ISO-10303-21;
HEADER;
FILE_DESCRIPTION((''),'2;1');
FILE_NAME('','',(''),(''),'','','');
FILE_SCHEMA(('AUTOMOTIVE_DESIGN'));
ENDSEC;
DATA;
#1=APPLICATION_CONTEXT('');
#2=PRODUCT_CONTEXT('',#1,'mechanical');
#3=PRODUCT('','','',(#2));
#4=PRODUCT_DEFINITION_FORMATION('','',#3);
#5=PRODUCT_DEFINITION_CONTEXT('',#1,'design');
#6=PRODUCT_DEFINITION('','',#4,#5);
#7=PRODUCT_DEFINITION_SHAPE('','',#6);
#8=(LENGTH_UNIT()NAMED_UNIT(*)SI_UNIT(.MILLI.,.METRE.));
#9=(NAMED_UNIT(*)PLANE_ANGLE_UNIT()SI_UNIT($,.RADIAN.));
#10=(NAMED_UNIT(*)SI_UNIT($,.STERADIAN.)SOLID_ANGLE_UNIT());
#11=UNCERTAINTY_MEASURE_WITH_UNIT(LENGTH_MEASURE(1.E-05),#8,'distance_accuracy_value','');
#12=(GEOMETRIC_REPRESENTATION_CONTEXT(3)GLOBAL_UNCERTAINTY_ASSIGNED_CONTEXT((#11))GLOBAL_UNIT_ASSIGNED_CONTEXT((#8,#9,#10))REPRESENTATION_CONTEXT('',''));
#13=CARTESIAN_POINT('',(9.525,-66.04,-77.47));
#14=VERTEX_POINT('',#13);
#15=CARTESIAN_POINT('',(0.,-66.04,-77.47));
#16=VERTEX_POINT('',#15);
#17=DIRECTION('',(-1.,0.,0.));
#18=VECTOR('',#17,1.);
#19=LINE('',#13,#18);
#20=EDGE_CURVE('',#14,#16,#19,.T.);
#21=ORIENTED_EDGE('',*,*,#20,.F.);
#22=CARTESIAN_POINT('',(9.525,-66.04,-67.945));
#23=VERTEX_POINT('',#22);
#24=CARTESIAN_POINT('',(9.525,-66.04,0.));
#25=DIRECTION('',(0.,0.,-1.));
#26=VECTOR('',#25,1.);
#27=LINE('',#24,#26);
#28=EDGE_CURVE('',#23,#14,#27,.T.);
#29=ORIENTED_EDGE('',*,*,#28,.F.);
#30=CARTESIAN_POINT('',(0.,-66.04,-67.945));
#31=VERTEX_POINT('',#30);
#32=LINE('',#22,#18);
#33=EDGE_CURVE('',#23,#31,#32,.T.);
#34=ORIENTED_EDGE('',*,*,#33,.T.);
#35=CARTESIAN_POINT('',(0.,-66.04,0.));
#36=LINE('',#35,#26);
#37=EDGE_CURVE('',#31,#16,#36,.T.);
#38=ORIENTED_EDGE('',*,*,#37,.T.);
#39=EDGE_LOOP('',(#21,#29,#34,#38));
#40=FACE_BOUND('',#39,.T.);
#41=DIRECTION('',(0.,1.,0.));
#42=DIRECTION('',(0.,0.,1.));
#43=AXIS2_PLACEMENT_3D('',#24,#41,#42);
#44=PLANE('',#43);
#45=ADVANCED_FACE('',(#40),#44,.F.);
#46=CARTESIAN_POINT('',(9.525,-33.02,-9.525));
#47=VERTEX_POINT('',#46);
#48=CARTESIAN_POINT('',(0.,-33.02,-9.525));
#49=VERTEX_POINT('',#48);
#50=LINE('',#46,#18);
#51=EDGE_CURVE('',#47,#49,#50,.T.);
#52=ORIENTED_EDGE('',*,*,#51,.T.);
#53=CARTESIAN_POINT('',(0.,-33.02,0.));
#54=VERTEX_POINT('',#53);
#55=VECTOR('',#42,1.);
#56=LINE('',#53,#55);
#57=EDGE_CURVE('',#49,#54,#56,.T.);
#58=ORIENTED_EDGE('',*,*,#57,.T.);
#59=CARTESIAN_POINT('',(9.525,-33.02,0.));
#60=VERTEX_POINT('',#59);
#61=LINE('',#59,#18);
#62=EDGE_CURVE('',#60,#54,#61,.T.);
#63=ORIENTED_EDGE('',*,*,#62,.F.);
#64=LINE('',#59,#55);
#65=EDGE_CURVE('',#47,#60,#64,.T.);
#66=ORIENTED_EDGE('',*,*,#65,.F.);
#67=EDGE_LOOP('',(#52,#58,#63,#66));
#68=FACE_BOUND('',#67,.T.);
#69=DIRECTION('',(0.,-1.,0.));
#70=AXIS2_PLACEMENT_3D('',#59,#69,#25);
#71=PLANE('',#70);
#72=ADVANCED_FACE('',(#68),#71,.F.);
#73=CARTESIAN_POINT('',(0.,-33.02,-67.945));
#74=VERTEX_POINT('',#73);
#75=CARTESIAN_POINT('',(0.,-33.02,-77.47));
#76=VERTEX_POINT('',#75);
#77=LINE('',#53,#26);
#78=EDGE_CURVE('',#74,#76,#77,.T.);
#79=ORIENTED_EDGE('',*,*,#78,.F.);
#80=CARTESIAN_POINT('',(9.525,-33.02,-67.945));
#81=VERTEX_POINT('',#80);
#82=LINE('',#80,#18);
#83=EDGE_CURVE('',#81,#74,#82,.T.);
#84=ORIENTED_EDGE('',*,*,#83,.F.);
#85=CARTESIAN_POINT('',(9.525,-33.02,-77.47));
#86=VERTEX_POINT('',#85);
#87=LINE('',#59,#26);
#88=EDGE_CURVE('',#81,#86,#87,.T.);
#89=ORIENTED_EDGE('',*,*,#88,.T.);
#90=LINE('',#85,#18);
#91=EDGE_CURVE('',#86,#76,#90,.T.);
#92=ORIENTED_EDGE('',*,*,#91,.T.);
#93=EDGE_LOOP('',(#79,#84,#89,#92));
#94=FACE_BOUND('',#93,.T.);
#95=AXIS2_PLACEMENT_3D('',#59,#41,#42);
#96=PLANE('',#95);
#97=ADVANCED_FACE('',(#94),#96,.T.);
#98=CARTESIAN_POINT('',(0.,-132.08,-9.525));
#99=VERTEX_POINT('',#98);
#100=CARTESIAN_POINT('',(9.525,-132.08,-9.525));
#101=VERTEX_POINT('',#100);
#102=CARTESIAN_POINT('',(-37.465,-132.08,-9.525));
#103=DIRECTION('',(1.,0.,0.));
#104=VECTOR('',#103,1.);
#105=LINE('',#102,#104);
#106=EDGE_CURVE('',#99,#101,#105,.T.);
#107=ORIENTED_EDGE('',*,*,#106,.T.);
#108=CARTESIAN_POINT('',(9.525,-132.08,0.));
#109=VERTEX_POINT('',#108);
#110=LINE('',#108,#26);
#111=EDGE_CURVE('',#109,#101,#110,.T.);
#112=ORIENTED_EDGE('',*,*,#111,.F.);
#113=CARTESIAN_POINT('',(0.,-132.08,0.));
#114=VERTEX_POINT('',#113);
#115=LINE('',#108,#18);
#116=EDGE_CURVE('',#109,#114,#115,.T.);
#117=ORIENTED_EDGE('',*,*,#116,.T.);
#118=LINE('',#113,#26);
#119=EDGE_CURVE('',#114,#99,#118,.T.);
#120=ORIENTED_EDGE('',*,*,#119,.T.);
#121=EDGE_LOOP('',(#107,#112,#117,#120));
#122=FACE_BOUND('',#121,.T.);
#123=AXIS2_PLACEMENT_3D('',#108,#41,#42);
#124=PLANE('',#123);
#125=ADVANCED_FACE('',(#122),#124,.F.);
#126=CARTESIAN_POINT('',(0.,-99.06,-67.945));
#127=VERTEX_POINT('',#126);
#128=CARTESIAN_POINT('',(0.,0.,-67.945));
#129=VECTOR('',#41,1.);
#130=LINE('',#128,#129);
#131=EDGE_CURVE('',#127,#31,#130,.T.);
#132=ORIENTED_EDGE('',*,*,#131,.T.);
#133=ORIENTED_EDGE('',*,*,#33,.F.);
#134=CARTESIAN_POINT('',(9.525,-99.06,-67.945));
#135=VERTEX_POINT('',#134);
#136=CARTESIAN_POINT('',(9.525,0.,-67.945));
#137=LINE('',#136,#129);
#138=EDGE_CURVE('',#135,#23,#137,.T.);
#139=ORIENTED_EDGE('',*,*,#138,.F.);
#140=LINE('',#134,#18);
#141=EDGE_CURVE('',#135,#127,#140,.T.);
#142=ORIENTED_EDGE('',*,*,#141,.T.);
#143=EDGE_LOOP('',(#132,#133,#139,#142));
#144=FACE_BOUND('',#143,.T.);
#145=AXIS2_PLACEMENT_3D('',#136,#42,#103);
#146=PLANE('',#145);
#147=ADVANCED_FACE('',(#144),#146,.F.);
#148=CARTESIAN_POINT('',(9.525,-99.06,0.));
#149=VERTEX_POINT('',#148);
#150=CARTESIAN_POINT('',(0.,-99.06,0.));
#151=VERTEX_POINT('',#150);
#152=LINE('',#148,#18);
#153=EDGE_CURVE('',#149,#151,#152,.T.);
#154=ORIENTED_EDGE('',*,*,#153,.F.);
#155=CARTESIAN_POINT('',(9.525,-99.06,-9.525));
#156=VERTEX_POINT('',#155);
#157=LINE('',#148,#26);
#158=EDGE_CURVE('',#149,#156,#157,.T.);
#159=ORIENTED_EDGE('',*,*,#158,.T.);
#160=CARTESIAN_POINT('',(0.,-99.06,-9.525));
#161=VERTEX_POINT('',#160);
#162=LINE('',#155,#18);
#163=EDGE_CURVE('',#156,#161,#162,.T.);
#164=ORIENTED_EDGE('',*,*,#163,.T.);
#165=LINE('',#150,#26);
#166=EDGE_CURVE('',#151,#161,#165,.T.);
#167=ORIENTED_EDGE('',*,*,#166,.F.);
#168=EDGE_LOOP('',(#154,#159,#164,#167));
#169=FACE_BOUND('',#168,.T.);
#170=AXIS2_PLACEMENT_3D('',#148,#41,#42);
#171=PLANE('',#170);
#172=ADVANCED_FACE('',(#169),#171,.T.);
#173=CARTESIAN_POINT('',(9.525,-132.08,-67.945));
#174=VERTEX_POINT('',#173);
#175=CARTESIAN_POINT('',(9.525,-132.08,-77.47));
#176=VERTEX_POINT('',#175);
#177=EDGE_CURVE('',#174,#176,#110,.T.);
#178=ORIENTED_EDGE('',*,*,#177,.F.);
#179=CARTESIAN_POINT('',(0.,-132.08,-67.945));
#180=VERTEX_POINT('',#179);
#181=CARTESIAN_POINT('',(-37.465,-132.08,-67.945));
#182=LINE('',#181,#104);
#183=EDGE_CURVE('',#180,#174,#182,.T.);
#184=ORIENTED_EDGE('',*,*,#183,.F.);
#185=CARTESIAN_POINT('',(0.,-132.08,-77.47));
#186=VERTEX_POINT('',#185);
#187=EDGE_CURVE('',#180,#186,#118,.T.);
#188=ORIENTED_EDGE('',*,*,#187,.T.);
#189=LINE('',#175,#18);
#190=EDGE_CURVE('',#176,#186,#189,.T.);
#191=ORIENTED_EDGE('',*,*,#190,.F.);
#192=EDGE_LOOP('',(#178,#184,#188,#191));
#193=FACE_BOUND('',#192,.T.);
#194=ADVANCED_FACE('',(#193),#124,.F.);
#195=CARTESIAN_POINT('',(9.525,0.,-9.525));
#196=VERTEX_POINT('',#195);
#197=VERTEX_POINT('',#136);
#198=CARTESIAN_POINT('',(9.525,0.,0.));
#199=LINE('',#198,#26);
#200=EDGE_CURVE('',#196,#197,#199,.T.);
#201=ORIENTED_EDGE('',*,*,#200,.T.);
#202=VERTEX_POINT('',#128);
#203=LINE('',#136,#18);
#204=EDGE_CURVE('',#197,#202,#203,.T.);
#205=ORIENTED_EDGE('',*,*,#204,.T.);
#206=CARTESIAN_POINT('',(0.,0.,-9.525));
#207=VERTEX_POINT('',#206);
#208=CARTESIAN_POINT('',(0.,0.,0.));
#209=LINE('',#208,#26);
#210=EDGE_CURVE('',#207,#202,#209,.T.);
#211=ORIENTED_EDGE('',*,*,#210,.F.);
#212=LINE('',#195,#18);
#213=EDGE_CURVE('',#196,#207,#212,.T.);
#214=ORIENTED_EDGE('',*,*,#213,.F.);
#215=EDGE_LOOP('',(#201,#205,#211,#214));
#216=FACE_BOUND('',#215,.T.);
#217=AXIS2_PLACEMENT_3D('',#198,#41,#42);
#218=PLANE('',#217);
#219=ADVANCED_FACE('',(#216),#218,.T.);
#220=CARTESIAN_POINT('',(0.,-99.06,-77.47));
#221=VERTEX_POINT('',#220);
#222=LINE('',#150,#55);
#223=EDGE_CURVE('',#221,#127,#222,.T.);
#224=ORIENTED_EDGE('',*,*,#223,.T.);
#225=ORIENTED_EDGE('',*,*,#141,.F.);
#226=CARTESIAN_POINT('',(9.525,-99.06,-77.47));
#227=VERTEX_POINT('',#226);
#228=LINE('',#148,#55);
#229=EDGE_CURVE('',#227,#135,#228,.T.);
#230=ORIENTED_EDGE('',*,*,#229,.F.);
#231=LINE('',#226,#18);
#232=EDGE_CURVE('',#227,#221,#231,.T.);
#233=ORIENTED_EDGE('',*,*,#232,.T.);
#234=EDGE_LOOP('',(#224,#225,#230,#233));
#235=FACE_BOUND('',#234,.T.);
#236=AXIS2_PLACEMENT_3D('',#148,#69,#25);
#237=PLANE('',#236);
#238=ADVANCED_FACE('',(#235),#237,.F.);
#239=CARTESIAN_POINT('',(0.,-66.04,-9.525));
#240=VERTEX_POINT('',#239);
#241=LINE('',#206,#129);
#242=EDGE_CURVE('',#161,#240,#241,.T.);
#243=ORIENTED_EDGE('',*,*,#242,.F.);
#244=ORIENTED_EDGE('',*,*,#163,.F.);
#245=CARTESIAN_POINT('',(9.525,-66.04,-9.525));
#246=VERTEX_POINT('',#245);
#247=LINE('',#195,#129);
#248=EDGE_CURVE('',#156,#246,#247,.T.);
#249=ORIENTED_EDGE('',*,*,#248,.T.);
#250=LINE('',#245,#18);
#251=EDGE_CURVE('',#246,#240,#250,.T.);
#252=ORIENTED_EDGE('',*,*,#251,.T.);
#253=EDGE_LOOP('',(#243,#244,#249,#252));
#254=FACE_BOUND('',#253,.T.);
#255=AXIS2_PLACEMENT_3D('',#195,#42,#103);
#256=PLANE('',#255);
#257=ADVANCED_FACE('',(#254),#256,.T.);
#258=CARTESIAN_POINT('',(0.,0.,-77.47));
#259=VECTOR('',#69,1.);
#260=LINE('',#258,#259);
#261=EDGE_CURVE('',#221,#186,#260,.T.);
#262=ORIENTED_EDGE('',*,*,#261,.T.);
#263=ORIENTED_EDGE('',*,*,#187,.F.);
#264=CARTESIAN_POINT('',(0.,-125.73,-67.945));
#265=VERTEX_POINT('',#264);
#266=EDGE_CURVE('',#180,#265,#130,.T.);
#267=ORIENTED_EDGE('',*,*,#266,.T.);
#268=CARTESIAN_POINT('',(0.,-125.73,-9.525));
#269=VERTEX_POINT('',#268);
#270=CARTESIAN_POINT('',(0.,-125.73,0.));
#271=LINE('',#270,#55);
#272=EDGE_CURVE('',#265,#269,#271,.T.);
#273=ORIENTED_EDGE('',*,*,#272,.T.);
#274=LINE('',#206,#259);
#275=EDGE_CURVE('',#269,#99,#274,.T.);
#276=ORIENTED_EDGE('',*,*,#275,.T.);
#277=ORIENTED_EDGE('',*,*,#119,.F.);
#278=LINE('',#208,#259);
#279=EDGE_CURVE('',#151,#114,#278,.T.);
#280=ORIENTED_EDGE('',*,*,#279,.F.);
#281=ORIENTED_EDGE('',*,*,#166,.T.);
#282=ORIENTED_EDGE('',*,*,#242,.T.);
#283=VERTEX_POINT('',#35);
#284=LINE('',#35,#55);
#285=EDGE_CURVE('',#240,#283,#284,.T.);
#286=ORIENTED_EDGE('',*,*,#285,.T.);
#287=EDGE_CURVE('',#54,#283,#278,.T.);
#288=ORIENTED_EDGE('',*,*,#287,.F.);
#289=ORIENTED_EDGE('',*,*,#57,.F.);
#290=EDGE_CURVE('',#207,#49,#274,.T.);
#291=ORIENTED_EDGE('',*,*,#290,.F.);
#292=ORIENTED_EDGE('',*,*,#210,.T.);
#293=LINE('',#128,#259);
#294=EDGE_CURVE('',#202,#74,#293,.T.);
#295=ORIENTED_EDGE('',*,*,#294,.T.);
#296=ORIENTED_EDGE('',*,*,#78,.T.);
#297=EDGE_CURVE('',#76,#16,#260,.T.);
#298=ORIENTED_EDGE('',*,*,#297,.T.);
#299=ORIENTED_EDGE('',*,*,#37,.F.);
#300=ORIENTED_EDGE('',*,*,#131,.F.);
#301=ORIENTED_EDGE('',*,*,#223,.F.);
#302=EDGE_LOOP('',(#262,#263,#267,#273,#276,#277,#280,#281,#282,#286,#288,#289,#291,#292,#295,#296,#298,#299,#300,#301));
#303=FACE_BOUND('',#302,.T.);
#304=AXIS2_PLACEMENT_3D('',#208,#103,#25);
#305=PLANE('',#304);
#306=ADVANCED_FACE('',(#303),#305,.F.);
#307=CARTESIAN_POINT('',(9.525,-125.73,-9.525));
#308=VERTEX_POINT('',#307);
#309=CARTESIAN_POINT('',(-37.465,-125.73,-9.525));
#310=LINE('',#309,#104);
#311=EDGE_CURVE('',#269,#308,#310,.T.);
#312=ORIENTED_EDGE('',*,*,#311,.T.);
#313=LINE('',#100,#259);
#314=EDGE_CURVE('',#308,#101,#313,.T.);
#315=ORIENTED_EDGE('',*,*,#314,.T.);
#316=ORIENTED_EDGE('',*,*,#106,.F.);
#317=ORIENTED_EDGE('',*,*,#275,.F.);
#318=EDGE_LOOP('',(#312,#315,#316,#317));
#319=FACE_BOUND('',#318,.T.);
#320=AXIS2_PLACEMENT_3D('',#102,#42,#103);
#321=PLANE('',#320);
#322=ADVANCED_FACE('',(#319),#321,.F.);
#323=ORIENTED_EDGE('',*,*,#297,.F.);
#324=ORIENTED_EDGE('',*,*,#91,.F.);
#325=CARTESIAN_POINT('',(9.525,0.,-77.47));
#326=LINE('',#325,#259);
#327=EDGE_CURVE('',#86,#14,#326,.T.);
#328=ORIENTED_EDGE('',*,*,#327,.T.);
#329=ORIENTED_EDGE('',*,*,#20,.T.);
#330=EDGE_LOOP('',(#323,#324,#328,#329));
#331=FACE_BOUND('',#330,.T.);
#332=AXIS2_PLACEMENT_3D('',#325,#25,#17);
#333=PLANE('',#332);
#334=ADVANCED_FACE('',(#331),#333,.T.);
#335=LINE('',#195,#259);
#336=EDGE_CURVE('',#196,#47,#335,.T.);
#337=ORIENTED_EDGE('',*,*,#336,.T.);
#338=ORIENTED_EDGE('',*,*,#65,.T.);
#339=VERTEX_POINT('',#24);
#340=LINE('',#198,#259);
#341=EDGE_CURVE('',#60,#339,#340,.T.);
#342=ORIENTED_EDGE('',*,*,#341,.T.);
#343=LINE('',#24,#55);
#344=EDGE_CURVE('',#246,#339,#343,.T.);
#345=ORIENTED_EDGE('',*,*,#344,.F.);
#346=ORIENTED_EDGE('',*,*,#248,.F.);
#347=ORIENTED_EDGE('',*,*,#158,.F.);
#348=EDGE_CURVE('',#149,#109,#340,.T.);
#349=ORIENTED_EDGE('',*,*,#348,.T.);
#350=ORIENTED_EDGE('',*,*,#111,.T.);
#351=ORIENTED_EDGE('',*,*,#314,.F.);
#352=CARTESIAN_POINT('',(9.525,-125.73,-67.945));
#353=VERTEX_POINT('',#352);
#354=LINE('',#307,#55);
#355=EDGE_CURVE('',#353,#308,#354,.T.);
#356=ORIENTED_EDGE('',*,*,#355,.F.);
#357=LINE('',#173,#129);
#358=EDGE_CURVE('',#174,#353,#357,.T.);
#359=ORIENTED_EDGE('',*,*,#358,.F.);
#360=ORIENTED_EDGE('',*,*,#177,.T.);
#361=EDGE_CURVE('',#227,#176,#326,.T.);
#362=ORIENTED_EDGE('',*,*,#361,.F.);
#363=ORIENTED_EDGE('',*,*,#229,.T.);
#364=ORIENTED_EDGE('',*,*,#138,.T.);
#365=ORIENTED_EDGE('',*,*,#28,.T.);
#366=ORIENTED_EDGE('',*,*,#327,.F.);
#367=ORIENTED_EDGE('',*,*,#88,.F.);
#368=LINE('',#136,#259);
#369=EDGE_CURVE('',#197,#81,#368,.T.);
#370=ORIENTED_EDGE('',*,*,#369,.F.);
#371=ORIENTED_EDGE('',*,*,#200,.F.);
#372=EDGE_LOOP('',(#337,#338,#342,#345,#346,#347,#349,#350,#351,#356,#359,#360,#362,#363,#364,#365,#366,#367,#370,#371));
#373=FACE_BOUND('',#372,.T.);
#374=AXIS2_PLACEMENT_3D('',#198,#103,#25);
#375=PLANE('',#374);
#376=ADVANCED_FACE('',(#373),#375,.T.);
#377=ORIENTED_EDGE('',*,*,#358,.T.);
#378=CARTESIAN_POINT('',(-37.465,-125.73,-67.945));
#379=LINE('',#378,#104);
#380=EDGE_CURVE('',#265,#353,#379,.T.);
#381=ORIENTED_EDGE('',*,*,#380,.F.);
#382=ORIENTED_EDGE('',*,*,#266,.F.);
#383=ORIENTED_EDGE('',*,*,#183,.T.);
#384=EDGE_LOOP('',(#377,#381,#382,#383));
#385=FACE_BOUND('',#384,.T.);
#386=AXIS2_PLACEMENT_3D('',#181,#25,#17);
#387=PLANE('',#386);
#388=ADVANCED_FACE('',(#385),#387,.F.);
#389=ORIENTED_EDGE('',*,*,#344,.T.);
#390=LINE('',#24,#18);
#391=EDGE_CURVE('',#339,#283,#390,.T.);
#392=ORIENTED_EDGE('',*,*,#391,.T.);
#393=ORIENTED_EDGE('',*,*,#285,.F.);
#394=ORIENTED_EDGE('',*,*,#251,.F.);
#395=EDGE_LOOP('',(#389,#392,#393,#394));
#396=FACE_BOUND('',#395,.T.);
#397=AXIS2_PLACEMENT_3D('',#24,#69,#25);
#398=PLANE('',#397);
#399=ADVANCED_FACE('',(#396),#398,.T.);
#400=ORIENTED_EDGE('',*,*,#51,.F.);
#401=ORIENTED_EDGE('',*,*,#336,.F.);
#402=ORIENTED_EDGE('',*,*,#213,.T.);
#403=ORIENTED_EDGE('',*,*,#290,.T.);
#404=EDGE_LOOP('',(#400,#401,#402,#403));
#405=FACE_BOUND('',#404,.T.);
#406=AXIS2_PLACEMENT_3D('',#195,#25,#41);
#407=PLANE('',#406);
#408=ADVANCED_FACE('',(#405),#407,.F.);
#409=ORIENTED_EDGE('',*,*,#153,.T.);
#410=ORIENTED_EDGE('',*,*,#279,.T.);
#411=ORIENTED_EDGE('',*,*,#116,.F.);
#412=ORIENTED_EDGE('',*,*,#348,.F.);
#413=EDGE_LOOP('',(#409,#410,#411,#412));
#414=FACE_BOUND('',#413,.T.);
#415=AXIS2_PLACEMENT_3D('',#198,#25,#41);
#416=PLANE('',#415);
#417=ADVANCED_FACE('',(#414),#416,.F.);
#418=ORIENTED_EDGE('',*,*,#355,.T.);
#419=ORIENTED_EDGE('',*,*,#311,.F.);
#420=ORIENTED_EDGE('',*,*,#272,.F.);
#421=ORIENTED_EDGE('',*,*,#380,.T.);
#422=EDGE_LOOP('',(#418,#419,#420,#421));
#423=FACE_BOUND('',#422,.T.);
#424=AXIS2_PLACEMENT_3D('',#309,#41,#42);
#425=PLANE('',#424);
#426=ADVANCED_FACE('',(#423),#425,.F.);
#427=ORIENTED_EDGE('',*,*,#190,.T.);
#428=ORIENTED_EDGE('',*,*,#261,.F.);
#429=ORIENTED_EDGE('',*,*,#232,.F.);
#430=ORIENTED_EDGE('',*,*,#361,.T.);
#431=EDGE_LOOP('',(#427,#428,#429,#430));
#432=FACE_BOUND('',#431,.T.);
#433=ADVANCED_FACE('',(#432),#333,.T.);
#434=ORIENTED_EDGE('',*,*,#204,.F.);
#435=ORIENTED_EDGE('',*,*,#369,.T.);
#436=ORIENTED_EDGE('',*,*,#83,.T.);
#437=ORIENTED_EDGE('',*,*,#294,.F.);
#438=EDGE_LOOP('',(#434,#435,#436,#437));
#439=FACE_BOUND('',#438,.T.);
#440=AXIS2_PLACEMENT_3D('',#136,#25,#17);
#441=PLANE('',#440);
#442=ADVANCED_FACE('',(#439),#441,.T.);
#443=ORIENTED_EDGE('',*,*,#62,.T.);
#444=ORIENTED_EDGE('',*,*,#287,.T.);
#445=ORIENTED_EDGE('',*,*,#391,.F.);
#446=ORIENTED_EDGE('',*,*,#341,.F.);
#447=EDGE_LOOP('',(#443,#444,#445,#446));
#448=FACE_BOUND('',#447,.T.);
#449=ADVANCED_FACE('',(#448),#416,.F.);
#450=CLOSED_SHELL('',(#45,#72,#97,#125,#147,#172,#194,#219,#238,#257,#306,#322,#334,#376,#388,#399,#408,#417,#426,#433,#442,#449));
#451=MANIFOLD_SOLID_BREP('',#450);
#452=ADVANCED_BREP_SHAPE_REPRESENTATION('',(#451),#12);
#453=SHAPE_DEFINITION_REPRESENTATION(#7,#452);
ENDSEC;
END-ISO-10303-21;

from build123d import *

# Parameters (mm, degrees)
BOSS_EXTRUDE1_DEPTH = 9.525
SKETCH2_W           = 58.42
SKETCH2_H           = 6.35
CUT_EXTRUDE1_DEPTH  = 46.99


with BuildPart() as part:
    # Sketch1 → Boss-Extrude1 (new body)
    with BuildSketch(Plane(origin=(0, 0, 0), x_dir=(0, 0, -1), z_dir=(1, 0, 0))):
        Polygon((9.525, -99.06), (0, -99.06), (0, -132.08), (77.47, -132.08), (77.47, -99.06), (67.945, -99.06), (67.945, -66.04), (77.47, -66.04), (77.47, -33.02), (67.945, -33.02), (67.945, 0), (9.525, 0), (9.525, -33.02), (0, -33.02), (0, -66.04), (9.525, -66.04), align=None)
    extrude(amount=BOSS_EXTRUDE1_DEPTH)

    # Sketch2 → Cut-Extrude1 (cut)
    with BuildSketch(Plane(origin=(9.525, 0, 0), x_dir=(0, 0, -1), z_dir=(1, 0, 0))):
        with Locations((38.735, -128.905)):
            Rectangle(SKETCH2_W, SKETCH2_H)
    extrude(amount=-CUT_EXTRUDE1_DEPTH, mode=Mode.SUBTRACT)


solid = part.part
